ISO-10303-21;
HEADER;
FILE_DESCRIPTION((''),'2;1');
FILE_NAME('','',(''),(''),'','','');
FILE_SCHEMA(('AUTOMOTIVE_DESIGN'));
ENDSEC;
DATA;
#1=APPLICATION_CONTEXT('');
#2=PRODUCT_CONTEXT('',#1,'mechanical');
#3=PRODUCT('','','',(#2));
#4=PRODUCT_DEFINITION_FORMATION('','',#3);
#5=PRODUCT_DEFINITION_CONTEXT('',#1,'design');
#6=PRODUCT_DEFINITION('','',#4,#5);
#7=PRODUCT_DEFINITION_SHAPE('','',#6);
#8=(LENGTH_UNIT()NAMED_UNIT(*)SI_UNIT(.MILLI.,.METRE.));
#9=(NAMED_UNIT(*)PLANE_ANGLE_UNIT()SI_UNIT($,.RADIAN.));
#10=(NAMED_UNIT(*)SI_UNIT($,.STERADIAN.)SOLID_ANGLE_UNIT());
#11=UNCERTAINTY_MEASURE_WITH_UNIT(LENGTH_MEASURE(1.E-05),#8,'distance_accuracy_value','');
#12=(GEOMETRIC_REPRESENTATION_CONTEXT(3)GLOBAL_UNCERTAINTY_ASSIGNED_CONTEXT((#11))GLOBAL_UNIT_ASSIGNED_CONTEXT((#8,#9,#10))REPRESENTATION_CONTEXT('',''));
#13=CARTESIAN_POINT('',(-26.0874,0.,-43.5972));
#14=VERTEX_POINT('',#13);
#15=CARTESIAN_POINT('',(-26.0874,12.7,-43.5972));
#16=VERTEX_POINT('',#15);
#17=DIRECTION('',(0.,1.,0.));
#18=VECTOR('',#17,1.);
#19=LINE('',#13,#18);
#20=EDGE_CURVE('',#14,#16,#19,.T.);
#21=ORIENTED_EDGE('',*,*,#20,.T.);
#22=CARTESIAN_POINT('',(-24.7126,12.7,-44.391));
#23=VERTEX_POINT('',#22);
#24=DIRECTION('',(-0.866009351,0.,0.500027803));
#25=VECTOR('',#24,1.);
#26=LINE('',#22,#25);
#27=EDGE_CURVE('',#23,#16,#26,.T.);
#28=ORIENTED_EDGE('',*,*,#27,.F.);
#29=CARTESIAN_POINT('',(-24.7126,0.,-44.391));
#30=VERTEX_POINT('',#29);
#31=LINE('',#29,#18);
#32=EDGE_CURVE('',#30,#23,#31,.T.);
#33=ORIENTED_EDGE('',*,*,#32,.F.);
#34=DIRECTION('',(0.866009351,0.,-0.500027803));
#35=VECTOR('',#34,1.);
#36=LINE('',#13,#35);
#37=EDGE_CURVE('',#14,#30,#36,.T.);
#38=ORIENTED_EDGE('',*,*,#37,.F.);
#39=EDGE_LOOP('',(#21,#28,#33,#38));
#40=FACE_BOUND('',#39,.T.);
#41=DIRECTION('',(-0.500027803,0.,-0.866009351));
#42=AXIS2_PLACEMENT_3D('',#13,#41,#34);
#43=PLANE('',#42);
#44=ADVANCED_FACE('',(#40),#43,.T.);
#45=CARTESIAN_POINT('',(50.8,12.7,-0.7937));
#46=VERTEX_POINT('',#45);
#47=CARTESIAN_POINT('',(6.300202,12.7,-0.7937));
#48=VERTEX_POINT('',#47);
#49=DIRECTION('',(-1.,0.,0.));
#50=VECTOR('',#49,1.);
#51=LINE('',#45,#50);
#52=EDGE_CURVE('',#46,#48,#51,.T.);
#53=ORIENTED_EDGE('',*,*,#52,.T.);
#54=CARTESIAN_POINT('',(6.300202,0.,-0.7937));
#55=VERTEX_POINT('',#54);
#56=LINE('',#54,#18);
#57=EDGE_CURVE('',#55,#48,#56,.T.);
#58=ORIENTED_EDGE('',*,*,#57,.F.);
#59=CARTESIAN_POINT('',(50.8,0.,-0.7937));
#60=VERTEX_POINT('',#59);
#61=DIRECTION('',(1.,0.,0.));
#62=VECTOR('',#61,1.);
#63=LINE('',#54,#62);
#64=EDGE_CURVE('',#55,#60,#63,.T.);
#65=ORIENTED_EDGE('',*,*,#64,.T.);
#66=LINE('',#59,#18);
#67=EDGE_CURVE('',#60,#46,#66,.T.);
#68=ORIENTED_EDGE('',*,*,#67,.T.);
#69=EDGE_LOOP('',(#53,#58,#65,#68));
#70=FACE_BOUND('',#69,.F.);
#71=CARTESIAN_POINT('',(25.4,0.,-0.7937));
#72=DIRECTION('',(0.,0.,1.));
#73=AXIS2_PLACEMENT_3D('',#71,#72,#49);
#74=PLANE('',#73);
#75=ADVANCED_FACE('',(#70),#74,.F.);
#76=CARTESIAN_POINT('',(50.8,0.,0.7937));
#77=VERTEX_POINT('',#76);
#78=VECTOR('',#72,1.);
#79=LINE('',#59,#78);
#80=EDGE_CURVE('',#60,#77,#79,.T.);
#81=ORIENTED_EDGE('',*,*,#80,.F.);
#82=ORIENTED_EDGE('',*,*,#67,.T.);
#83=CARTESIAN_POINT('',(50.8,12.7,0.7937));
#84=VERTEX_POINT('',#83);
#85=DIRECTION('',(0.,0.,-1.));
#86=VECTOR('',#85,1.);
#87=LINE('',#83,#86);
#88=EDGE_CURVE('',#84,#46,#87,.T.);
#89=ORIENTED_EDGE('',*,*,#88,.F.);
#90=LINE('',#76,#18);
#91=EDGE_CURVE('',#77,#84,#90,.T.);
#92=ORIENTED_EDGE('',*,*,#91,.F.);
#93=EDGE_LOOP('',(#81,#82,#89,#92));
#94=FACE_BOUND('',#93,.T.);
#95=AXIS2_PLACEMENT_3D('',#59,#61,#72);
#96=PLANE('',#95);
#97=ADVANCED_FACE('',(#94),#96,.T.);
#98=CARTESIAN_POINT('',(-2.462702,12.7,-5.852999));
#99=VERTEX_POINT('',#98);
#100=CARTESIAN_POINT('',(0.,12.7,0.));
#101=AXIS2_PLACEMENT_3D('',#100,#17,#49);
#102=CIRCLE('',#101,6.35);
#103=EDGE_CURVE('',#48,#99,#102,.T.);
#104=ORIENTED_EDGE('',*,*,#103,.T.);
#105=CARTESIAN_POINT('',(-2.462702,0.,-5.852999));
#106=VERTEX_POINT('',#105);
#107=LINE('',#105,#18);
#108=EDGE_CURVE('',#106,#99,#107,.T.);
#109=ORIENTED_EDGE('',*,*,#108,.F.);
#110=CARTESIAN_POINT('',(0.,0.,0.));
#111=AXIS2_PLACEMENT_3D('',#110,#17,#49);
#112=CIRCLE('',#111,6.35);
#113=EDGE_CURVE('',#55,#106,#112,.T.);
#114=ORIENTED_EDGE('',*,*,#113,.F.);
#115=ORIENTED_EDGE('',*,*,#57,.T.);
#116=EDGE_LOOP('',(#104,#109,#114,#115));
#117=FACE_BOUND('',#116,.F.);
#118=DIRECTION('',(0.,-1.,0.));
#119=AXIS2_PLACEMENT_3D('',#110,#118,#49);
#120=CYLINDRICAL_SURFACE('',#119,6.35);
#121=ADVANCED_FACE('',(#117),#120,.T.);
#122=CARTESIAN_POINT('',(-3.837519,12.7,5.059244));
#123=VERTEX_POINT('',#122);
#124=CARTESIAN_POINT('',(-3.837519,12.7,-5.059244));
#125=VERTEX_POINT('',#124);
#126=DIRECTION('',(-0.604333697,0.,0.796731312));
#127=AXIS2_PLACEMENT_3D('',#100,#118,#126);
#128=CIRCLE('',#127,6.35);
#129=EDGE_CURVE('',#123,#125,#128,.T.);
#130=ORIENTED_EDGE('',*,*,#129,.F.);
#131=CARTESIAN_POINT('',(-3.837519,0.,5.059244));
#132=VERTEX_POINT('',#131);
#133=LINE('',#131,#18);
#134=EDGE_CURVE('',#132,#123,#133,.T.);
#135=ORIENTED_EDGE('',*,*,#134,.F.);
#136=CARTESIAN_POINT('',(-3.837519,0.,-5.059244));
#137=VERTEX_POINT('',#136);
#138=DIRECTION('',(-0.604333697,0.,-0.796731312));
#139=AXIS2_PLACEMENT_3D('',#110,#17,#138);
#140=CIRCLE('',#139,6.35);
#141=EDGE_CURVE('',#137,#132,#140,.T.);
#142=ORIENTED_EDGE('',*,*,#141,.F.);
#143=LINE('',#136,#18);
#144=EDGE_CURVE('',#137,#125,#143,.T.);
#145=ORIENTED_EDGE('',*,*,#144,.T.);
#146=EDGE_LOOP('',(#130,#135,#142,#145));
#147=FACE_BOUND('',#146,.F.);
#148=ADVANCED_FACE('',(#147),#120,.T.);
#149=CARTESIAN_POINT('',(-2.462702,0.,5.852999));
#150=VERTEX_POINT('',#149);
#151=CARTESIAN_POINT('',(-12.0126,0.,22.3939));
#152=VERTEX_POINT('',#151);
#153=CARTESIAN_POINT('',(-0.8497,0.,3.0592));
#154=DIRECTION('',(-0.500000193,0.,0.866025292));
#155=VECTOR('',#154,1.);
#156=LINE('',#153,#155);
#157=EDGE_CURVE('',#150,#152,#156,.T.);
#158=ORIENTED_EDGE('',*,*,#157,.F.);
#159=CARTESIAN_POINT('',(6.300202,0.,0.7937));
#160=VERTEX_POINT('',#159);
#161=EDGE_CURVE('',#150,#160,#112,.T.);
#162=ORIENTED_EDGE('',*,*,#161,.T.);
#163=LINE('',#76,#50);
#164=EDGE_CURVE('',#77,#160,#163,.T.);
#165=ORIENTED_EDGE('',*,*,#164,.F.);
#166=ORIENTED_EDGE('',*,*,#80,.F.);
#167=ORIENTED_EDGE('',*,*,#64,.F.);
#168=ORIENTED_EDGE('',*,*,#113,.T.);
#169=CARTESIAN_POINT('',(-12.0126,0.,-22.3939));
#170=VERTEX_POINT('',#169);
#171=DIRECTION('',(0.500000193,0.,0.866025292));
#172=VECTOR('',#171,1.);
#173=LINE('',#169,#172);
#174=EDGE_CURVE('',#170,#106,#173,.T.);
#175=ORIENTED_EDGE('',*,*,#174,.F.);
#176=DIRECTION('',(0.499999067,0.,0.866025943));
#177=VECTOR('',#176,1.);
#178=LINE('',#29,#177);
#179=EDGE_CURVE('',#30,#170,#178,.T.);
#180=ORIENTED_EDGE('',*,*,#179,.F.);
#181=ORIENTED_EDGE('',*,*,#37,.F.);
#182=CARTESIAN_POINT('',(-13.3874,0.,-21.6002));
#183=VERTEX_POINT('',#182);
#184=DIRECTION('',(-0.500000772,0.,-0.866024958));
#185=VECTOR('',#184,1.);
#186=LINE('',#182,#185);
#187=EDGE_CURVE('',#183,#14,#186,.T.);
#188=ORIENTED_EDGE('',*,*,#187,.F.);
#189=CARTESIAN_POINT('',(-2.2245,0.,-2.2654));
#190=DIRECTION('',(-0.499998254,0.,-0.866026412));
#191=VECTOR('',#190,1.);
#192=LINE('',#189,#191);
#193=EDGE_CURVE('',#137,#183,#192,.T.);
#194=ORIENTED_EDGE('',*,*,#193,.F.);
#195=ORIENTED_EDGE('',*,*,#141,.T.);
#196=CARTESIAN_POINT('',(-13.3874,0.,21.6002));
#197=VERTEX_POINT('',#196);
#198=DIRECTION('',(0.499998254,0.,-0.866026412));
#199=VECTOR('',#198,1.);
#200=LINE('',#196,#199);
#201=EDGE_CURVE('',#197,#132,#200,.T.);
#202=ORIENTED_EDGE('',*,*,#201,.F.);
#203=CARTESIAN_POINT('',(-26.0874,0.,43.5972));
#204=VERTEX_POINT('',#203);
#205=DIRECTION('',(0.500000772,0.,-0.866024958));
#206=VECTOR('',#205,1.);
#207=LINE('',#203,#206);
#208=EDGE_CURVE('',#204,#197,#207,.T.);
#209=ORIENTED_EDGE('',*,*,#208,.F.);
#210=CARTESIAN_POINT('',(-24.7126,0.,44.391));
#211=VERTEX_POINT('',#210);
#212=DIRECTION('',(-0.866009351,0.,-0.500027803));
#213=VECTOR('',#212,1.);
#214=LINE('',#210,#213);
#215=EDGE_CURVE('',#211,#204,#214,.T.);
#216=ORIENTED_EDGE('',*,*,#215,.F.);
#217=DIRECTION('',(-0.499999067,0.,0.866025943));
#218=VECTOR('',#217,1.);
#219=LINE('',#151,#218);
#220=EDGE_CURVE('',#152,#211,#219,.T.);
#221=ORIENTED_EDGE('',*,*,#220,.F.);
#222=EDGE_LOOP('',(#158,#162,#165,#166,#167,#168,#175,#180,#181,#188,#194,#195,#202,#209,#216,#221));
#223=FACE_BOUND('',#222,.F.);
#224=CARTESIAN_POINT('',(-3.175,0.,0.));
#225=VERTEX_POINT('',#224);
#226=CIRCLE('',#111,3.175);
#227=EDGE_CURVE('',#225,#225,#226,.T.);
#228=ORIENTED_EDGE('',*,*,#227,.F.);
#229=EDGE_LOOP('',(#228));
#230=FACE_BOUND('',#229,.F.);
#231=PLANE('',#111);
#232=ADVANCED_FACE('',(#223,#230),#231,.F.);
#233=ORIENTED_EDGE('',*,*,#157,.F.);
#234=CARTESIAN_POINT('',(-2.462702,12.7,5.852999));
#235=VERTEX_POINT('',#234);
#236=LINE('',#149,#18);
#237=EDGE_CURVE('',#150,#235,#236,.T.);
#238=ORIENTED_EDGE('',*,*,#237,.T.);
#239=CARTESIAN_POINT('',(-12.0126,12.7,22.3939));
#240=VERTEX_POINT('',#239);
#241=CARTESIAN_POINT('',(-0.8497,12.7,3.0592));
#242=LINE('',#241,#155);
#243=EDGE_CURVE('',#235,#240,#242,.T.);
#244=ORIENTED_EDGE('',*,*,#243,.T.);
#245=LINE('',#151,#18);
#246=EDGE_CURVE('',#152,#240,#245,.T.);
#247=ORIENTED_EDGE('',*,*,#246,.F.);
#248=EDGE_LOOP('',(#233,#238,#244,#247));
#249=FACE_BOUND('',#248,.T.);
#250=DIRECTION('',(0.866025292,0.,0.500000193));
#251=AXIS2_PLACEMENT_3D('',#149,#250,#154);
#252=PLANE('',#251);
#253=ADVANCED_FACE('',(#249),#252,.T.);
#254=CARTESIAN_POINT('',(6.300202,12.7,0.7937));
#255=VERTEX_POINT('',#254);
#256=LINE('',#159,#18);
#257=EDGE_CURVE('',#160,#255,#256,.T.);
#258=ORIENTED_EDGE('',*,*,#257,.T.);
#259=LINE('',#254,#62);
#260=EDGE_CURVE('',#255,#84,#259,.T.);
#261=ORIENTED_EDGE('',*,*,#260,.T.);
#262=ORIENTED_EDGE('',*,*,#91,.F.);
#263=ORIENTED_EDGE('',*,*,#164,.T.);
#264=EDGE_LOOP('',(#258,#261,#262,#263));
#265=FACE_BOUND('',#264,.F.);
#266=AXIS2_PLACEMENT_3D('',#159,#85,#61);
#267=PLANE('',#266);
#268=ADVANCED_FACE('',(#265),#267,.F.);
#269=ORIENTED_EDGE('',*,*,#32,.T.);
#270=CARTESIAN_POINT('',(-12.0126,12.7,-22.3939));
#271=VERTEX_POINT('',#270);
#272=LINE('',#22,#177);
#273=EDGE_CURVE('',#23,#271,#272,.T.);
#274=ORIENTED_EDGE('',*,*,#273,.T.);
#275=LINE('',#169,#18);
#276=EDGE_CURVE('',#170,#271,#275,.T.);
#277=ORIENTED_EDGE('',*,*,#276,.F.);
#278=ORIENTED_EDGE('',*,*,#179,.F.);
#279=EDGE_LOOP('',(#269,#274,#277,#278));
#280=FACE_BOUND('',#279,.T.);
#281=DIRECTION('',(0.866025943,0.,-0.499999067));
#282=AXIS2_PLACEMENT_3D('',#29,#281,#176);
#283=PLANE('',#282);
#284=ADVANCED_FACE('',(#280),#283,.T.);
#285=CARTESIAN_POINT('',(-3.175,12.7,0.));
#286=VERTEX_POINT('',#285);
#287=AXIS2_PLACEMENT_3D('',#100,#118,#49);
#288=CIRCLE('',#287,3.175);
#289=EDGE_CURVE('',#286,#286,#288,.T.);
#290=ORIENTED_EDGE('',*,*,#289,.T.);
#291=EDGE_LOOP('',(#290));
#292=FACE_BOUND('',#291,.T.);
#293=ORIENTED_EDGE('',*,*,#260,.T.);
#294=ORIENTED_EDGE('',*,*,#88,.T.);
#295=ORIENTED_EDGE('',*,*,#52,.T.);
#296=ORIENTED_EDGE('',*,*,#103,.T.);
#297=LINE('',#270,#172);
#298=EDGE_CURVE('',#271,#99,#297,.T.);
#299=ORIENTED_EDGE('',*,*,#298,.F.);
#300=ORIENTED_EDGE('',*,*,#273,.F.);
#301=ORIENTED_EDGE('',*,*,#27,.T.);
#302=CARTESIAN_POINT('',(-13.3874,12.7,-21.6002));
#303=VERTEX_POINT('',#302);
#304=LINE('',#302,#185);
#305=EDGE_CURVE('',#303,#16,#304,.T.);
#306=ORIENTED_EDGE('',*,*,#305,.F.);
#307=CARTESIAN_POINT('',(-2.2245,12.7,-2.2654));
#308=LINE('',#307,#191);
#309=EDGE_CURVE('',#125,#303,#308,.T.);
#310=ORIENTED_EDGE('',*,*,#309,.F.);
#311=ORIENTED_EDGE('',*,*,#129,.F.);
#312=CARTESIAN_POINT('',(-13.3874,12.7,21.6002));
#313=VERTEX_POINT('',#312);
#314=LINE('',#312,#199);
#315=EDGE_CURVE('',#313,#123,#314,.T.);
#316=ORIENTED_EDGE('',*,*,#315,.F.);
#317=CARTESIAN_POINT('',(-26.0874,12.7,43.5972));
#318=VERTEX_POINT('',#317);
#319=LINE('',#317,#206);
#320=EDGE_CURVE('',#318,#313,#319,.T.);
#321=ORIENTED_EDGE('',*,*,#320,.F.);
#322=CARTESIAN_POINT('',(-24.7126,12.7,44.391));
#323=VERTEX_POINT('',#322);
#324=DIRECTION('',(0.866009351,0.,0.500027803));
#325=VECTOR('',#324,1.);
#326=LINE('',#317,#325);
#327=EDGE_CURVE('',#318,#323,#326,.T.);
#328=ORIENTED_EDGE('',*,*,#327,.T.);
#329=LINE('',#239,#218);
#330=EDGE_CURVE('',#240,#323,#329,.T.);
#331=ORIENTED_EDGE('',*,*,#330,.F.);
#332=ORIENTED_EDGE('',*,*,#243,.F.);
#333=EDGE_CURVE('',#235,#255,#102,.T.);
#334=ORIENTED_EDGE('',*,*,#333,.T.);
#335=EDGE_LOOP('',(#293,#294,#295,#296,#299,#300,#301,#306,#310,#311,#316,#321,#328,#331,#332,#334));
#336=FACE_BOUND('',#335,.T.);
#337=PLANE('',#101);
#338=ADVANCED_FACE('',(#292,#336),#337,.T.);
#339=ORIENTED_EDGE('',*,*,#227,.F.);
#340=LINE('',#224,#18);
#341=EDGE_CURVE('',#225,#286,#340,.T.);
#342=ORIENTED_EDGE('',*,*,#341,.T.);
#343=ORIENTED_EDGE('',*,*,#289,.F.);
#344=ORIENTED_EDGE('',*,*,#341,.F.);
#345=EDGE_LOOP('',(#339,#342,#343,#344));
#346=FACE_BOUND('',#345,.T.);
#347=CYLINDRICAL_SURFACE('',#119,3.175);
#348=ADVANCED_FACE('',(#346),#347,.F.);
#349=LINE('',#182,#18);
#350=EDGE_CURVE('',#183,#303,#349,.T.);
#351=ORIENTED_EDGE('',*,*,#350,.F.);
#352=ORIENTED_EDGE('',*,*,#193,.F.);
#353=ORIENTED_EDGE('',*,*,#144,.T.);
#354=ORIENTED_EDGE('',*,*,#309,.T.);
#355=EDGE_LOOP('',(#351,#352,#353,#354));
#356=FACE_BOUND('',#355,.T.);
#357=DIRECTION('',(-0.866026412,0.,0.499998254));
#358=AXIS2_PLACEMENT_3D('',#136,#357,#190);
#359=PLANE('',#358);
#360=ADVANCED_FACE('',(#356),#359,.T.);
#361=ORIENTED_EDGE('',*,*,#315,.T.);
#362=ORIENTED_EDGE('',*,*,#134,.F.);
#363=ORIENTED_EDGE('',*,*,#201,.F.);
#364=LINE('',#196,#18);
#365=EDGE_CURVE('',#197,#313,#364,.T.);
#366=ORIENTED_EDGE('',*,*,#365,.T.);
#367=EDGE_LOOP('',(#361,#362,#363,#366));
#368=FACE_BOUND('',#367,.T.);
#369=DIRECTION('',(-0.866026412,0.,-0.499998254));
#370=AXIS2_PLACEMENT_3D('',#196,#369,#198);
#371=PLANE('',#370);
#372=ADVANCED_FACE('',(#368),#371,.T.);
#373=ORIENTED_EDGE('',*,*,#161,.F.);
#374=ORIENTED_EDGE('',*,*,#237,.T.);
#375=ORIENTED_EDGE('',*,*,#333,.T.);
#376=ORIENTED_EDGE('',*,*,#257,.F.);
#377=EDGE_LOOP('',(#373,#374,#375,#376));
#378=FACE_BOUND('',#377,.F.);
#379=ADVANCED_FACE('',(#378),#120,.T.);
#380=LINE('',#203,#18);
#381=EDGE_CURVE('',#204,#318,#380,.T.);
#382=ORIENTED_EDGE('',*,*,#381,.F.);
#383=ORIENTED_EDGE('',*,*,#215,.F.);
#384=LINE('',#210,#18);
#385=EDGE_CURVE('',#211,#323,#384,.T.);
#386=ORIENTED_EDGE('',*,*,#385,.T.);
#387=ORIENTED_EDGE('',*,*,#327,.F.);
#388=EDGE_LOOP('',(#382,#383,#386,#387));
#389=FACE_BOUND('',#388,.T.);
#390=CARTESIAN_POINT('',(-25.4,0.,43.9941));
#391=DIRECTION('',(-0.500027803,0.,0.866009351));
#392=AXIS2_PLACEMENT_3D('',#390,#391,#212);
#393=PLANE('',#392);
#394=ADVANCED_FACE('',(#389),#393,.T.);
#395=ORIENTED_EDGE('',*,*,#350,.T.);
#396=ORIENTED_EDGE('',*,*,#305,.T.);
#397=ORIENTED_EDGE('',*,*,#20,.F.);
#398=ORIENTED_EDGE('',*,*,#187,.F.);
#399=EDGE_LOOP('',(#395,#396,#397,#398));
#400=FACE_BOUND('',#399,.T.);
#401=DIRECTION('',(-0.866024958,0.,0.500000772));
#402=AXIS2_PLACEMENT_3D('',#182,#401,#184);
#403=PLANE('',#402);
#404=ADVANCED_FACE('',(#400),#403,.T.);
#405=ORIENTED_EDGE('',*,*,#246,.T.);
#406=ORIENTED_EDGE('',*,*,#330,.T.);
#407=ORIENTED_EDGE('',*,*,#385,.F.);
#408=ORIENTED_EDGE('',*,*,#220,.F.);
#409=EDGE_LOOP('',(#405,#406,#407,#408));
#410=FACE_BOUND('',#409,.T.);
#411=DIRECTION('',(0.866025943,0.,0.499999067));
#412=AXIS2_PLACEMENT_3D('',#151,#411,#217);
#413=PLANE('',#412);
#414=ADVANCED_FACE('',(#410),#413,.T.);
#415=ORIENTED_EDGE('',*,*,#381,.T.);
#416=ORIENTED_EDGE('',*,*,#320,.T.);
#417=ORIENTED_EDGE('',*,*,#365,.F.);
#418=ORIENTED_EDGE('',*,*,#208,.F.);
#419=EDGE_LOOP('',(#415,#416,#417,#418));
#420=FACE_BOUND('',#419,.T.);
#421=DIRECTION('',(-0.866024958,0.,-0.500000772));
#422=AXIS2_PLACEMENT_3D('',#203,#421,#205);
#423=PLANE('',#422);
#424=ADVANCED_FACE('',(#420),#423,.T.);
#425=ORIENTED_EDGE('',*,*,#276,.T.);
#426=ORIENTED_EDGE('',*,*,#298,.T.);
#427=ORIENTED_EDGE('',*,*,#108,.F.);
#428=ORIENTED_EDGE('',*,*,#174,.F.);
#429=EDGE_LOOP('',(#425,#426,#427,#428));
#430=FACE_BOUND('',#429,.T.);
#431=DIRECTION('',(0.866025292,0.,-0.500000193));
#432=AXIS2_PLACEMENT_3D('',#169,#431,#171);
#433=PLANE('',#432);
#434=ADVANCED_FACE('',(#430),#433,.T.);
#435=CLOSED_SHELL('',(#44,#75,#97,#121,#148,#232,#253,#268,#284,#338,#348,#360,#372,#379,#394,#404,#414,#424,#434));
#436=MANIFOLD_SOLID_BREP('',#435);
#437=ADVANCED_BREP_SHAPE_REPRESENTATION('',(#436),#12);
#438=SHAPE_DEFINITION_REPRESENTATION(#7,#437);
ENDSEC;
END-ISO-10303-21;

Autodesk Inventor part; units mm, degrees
ref_plane "YZ Plane" through (0, 0, 0) normal (1, 0, 0) x (0, 1, 0)
ref_plane "XZ Plane" through (0, 0, 0) normal (0, 1, 0) x (-1, 0, 0)
ref_plane "XY Plane" through (0, 0, 0) normal (0, 0, 1) x (1, 0, 0)
sketch "Sketch1" plane through (0, 0, 0) normal (0, 1, 0) x (-1, 0, 0)
  circle A0 centre (0, 0) radius 6.35
  circle A1 centre (0, 0) radius 3.175
  line L0 (0, 0) -> (-25.4, 0)
  line L1 (0, 0) -> (12.7, -21.997)
  line L2 (0, 0) -> (12.7, 21.997)
  line L3 (12.0126, 22.3939) -> (13.3874, 21.6002)
  line L4 (13.3874, 21.6002) -> (-0.6874, 0.3969) construction
  line L5 (0.6874, -0.3969) -> (12.0126, 22.3939) construction
  line L6 (0, -0.7937) -> (0, 0)
  line L7 (0, 0.7937) -> (-25.4, -0.7937) construction
  line L8 (-25.4, 0.7937) -> (0, -0.7937) construction
  line L9 (0.6874, 0.3969) -> (12.0126, -22.3939) construction
  line L10 (13.3874, -21.6002) -> (-0.6874, -0.3969) construction
  line L11 (-25.4, -0.7937) -> (-3.0742, -0.7937)
  line L12 (-3.0742, 0.7937) -> (-25.4, 0.7937)
  line L13 (0.8497, 3.0592) -> (12.0126, 22.3939)
  line L14 (13.3874, 21.6002) -> (2.2245, 2.2654)
  line L15 (2.2245, -2.2654) -> (13.3874, -21.6002)
  line L16 (12.0126, -22.3939) -> (0.8497, -3.0592)
  line L17 (-25.4, 0) -> (-50.8, 0)
  line L18 (12.7, -21.997) -> (25.4, -43.9941)
  line L19 (12.7, 21.997) -> (25.4, 43.9941)
  line L20 (26.0874, 43.5972) -> (13.3874, 21.6002)
  line L21 (13.3874, 21.6002) -> (12.0126, 22.3939)
  line L22 (12.0126, 22.3939) -> (24.7126, 44.391)
  line L23 (24.7126, 44.391) -> (26.0874, 43.5972)
  line L24 (26.0874, 43.5972) -> (12.0126, 22.3939) construction
  line L25 (13.3874, 21.6002) -> (24.7126, 44.391) construction
  line L26 (26.0627, -43.5544) -> (12.0373, -22.4367) construction
  line L27 (13.4121, -21.643) -> (24.6879, -44.3482) construction
  line L28 (-50.8, 0.7937) -> (-25.4, 0.7937)
  line L29 (-25.4, -0.7937) -> (-50.8, -0.7937)
  line L30 (-50.8, -0.7937) -> (-50.8, 0.7937)
  line L31 (-50.8, 0.7937) -> (-25.4, -0.7937) construction
  line L32 (-25.4, 0.7937) -> (-50.8, -0.7937) construction
  line L33 (24.7126, -44.391) -> (12.0126, -22.3939)
  line L34 (13.3874, -21.6002) -> (26.0874, -43.5972)
  line L35 (26.0874, -43.5972) -> (24.7126, -44.391)
  line L36 (24.7126, -44.391) -> (13.3874, -21.6002) construction
  line L37 (12.0126, -22.3939) -> (26.0874, -43.5972) construction
  point P0 (6.35, 10.9985)
  point P1 (-12.7, 0)
  point P2 (6.35, -10.9985)
  point P3 (3.8375, -5.0593)
  point P4 (3.175, -5.4993)
  point P5 (-6.3002, -0.7937)
  point P6 (2.4627, -5.853)
  point P7 (3.8375, 5.0593)
  point P8 (2.4627, 5.853)
  point P9 (-6.3002, 0.7938)
  point P10 (19.05, 32.9956)
  point P11 (19.05, -32.9956)
  point P12 (-38.1, 0)
extrude "Extrusion1" add sketch "Sketch1" along normal blind 12.7 contours A0 L15 A1 L14 | L14 A1 L2 A0 | A0 L2 L3 L14 | L15 L34 L35 L18 L1 A0 | A0 L1 A1 L15 | L2 A1 L13 A0 | A0 L13 L3 L2 | L3 L19 L23 L20 | L1 L18 L35 L33 L16 A0 | A0 L16 A1 L1 | L13 A1 L12 A0 | L3 L22 L23 L19 | A0 L11 A1 L16 | L12 A1 L0 A0 | A0 L0 L17 L30 L28 L12 | L11 L29 L30 L17 L0 A0 | A0 L0 A1 L11
properties part number "brush_tpu_test_print"
